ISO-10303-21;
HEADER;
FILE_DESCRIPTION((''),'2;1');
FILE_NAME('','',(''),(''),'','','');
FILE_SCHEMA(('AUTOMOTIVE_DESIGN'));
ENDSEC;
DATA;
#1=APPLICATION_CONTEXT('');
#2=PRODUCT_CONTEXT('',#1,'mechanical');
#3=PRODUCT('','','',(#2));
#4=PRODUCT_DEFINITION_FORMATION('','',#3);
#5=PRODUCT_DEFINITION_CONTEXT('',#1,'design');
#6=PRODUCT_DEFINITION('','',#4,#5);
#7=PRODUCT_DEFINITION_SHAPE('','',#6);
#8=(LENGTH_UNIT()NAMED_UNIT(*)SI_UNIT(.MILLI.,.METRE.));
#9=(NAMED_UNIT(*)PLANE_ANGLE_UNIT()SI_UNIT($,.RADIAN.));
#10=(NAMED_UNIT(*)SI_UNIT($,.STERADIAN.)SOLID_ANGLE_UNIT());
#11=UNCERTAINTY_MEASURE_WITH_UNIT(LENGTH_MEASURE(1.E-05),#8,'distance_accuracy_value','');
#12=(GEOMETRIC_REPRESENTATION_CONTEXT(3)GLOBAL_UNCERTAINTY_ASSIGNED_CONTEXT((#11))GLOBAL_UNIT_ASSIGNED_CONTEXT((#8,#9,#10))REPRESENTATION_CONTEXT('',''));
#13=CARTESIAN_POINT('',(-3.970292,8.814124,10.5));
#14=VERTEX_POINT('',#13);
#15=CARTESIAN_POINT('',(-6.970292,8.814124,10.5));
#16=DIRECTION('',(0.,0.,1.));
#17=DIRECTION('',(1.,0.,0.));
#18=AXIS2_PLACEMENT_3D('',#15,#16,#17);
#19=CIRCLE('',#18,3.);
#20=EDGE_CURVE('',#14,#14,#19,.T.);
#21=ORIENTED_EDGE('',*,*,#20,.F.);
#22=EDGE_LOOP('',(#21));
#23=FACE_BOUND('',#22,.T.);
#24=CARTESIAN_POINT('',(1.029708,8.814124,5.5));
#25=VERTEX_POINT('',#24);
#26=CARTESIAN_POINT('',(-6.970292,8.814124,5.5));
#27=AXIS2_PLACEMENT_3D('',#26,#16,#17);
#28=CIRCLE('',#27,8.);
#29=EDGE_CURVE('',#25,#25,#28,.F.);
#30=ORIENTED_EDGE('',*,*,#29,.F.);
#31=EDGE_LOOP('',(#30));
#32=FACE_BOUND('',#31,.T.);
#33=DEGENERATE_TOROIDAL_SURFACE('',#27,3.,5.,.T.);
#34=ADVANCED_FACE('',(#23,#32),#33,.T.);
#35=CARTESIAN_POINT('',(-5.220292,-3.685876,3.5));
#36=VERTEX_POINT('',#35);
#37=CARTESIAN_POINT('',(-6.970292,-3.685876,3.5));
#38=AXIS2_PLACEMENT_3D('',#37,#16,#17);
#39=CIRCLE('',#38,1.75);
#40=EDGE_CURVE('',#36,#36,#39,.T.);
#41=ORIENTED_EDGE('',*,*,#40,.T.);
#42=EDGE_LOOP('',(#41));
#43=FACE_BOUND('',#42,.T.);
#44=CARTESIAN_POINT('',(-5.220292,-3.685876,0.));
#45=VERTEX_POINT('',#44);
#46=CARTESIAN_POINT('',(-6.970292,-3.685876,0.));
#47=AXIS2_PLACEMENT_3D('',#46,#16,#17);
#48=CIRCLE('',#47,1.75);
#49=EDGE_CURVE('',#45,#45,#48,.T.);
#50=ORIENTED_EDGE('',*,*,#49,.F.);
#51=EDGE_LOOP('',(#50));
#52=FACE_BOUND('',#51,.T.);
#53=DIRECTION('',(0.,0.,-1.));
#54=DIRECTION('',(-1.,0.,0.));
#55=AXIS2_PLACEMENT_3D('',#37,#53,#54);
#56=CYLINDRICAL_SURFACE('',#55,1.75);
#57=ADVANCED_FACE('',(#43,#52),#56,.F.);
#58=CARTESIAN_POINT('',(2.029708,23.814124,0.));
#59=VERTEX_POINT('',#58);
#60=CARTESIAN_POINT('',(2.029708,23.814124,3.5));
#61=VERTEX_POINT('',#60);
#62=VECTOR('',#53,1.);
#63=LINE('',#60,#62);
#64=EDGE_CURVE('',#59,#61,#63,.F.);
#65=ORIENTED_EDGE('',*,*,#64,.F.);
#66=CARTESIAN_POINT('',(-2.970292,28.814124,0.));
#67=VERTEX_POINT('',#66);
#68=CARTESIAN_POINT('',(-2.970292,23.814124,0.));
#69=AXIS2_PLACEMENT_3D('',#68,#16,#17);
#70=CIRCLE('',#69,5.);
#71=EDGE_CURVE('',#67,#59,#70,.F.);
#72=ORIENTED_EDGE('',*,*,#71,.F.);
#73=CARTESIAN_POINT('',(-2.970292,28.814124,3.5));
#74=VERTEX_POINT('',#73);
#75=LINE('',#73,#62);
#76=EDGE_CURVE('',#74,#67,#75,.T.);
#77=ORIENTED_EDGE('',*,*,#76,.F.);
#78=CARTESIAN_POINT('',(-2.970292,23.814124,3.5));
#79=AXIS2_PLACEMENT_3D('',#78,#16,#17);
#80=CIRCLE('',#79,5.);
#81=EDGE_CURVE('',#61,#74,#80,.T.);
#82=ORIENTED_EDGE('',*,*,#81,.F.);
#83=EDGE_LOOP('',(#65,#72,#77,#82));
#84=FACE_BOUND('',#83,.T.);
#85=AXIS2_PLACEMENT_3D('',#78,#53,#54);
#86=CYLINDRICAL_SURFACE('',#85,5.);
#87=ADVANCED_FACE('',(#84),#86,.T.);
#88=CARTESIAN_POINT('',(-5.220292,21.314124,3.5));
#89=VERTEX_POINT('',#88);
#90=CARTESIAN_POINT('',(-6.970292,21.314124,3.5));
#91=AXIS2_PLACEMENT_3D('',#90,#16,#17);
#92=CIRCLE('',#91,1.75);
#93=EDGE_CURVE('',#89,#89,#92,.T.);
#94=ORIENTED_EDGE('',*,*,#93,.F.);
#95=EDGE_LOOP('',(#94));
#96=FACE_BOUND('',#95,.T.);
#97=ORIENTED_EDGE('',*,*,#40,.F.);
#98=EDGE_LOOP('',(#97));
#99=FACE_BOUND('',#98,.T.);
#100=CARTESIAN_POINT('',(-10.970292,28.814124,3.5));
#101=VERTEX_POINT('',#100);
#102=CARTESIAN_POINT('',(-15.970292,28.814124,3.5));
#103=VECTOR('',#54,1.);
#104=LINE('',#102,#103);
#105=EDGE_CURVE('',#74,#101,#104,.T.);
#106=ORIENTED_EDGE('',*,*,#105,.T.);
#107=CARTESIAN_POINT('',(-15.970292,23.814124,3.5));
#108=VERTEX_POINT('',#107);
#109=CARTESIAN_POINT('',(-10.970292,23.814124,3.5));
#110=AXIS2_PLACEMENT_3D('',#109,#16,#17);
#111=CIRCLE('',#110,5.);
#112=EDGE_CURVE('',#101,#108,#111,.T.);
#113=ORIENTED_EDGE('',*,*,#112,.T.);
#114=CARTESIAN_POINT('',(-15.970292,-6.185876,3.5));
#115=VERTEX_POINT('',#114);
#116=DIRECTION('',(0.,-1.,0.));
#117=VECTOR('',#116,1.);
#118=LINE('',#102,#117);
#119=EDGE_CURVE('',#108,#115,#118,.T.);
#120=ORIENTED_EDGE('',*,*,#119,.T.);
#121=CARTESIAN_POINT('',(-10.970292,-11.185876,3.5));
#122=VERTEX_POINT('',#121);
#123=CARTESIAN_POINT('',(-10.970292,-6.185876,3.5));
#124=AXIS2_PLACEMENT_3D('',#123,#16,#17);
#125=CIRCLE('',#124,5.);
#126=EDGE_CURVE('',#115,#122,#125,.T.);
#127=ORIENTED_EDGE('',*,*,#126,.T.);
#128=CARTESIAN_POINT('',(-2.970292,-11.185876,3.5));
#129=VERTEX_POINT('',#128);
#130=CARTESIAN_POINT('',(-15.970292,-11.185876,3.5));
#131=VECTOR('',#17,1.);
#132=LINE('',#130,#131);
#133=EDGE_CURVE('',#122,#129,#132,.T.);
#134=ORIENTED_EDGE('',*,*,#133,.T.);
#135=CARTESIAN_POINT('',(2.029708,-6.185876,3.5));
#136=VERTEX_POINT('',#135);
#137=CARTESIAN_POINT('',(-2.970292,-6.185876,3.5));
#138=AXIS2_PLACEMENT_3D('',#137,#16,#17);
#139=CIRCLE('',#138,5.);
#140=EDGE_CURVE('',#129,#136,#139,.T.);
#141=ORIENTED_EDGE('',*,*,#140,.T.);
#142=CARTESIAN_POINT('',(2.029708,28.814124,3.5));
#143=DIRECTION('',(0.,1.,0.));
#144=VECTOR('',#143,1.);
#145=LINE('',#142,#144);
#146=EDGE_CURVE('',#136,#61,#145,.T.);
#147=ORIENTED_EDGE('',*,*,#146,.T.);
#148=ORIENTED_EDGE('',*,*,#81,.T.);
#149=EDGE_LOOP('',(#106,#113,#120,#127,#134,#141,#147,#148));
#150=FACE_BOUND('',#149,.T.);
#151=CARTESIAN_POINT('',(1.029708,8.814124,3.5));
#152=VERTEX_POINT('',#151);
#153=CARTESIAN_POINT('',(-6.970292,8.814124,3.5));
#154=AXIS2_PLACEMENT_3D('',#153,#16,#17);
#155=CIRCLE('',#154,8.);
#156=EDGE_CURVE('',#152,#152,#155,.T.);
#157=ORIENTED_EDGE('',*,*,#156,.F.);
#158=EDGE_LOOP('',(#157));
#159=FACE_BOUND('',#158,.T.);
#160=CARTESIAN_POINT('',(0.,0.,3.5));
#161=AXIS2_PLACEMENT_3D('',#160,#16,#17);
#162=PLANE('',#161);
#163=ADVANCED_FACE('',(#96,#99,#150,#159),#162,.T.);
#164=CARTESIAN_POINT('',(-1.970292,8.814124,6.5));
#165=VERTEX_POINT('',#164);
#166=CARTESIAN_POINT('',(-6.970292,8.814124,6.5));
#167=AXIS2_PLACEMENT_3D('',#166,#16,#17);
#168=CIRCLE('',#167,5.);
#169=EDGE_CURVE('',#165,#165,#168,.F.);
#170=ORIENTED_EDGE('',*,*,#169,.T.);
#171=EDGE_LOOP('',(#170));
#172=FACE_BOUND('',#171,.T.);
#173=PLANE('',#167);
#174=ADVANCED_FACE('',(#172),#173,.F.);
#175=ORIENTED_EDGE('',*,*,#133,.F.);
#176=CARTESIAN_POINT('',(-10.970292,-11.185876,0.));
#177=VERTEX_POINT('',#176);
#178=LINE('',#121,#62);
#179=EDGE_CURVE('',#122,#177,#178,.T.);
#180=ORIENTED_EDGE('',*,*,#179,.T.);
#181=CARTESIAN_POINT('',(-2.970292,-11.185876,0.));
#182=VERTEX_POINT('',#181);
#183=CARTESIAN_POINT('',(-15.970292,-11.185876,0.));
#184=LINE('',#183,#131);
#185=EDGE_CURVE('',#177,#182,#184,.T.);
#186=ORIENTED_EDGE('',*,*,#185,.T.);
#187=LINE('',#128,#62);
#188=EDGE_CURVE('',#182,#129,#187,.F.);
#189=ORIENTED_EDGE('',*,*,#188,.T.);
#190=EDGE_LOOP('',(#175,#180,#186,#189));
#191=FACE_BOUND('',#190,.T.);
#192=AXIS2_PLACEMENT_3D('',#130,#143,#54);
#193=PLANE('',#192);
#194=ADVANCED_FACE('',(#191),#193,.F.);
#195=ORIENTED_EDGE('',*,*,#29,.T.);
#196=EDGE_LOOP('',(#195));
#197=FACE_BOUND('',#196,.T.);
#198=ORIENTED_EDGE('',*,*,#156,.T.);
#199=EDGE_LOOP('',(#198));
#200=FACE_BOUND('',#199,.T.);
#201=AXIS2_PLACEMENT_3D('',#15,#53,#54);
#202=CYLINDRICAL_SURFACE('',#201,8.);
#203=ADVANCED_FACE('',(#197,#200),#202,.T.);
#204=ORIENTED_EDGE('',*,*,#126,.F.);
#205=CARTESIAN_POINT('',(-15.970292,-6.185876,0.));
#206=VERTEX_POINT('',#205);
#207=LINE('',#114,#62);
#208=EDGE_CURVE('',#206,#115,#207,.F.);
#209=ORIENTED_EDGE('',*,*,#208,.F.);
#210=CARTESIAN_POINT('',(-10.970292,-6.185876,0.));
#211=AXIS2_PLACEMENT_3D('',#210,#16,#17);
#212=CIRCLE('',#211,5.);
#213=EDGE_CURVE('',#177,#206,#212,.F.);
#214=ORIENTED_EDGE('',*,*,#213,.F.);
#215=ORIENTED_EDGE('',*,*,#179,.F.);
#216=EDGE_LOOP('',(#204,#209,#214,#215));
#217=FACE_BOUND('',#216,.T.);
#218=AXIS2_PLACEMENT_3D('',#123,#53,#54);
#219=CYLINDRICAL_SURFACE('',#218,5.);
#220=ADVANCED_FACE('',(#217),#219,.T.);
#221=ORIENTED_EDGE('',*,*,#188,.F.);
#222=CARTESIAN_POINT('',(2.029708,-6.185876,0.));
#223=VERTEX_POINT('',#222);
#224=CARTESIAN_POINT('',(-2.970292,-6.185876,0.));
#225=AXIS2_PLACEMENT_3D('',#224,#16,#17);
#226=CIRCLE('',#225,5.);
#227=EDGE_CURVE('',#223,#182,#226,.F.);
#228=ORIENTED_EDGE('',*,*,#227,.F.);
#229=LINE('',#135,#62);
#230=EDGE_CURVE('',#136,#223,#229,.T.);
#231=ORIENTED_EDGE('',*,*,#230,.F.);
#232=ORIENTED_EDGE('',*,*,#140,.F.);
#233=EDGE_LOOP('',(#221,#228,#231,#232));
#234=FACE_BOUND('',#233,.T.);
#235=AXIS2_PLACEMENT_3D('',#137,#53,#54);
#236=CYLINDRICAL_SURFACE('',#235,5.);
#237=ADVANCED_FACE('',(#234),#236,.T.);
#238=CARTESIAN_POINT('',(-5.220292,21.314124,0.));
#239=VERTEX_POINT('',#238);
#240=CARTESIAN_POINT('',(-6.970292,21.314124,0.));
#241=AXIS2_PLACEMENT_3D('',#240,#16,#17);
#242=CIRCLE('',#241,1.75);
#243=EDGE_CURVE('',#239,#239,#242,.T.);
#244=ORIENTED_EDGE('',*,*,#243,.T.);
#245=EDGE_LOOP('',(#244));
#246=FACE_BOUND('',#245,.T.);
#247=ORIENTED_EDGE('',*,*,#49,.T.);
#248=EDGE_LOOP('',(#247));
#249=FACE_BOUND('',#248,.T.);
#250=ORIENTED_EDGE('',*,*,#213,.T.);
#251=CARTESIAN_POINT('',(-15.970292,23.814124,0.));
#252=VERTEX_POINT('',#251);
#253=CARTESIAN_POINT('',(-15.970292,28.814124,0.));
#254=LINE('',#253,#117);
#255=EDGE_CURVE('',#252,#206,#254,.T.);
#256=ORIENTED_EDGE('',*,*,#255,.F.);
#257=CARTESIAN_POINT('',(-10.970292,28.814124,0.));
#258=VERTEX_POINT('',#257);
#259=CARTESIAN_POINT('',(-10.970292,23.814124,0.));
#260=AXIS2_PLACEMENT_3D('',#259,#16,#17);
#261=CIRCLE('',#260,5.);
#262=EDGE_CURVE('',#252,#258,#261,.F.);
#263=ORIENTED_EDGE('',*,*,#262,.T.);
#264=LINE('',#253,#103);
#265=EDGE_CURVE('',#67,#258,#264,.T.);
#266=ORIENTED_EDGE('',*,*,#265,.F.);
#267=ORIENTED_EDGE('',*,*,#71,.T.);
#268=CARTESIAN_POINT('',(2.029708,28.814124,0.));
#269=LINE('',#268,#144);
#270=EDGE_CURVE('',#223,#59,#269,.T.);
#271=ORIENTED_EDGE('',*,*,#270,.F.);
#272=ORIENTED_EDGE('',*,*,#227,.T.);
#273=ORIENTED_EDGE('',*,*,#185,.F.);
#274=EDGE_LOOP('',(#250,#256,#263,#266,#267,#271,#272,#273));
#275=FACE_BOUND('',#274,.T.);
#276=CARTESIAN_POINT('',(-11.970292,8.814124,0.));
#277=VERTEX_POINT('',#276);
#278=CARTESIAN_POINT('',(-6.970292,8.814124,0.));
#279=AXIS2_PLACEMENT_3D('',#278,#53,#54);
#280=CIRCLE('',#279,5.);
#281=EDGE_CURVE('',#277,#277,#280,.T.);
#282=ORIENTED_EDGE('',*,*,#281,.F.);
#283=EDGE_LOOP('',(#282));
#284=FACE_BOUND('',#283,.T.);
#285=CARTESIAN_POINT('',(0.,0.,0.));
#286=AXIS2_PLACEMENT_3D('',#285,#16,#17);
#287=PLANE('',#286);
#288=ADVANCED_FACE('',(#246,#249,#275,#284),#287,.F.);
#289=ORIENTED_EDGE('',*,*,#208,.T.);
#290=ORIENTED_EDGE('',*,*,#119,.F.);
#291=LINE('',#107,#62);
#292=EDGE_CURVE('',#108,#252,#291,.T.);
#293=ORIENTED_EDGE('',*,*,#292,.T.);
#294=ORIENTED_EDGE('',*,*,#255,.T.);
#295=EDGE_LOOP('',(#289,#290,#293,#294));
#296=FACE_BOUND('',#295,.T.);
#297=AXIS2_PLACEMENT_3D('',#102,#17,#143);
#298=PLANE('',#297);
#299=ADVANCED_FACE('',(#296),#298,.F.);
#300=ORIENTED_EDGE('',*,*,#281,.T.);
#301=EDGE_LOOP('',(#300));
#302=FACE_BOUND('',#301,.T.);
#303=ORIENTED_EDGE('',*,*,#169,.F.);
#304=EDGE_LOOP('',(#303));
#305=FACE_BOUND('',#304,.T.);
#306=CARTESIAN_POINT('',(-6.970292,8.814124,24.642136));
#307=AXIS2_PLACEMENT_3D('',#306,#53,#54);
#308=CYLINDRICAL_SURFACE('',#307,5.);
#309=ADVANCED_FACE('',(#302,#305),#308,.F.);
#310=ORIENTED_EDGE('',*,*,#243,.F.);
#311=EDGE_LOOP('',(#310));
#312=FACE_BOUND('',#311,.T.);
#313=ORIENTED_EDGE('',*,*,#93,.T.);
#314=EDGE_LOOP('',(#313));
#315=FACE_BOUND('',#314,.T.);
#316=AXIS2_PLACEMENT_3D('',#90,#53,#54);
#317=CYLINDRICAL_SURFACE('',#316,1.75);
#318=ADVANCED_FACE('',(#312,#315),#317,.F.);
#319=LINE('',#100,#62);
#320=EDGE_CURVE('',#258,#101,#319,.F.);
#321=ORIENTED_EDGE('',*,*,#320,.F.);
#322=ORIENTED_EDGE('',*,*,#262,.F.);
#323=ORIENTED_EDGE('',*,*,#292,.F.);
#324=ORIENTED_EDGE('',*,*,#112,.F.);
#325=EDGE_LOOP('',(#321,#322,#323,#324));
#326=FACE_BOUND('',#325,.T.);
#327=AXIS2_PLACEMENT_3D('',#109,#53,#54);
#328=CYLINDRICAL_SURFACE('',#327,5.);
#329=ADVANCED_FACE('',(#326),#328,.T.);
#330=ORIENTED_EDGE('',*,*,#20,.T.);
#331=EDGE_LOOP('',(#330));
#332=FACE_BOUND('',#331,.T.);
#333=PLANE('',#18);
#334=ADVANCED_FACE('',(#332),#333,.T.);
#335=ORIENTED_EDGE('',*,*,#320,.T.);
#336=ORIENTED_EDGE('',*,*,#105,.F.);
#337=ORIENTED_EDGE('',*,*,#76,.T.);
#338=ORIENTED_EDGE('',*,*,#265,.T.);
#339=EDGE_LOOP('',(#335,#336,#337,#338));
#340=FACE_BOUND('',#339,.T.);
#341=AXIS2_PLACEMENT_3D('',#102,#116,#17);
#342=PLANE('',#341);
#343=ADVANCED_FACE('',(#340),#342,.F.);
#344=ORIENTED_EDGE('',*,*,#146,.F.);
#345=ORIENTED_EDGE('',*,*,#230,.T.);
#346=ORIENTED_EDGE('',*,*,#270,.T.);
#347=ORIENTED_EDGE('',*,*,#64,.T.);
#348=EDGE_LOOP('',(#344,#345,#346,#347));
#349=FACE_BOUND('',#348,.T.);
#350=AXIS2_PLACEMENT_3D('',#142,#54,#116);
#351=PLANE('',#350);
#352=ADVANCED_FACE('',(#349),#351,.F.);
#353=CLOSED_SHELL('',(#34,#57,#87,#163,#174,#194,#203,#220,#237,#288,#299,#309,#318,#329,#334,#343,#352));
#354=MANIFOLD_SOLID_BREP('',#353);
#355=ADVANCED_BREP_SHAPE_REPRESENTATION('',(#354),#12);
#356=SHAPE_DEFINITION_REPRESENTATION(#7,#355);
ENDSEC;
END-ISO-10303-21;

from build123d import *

# Parameters (mm, degrees)
SKETCH1_W           = 18
SKETCH1_H           = 40
SKETCH1_R           = 1.75
BOSS_EXTRUDE1_DEPTH = 3.5
SKETCH2_R           = 8
BOSS_EXTRUDE2_DEPTH = 7
SKETCH3_R           = 5
CUT_EXTRUDE1_DEPTH  = 6.5
FILLET1_R           = 5


with BuildPart() as part:
    # Sketch1 → Boss-Extrude1 (new body)
    with BuildSketch(Plane.XY):
        with Locations((-6.970291657, 8.814124101)):
            Rectangle(SKETCH1_W, SKETCH1_H)
        with Locations((-6.970291657, 21.314124101)):
            Circle(SKETCH1_R, mode=Mode.SUBTRACT)
        with Locations((-6.970291657, -3.685875899)):
            Circle(SKETCH1_R, mode=Mode.SUBTRACT)
    extrude(amount=BOSS_EXTRUDE1_DEPTH)

    # Sketch2 → Boss-Extrude2 (add)
    with BuildSketch(Plane.XY.offset(3.5)):
        with Locations((-6.970291657, 8.814124101)):
            Circle(SKETCH2_R)
    extrude(amount=BOSS_EXTRUDE2_DEPTH)

    # Sketch3 → Cut-Extrude1 (cut)
    with BuildSketch(Plane(origin=(0, 0, 0), x_dir=(-1, 0, 0), z_dir=(0, 0, -1))):
        with Locations((6.970291657, 8.814124101)):
            Circle(SKETCH3_R)
    extrude(amount=-CUT_EXTRUDE1_DEPTH, mode=Mode.SUBTRACT)

    # Fillet1
    fillet1_edges = [part.edges().sort_by_distance(p)[0] for p in [
        (-14.970291657, 8.814124101, 10.5),
        (-15.970291657, 28.814124101, 1.75),
        (2.029708343, 28.814124101, 1.75),
        (2.029708343, -11.185875899, 1.75),
        (-15.970291657, -11.185875899, 1.75),
    ]]
    fillet(fillet1_edges, radius=FILLET1_R)


solid = part.part
